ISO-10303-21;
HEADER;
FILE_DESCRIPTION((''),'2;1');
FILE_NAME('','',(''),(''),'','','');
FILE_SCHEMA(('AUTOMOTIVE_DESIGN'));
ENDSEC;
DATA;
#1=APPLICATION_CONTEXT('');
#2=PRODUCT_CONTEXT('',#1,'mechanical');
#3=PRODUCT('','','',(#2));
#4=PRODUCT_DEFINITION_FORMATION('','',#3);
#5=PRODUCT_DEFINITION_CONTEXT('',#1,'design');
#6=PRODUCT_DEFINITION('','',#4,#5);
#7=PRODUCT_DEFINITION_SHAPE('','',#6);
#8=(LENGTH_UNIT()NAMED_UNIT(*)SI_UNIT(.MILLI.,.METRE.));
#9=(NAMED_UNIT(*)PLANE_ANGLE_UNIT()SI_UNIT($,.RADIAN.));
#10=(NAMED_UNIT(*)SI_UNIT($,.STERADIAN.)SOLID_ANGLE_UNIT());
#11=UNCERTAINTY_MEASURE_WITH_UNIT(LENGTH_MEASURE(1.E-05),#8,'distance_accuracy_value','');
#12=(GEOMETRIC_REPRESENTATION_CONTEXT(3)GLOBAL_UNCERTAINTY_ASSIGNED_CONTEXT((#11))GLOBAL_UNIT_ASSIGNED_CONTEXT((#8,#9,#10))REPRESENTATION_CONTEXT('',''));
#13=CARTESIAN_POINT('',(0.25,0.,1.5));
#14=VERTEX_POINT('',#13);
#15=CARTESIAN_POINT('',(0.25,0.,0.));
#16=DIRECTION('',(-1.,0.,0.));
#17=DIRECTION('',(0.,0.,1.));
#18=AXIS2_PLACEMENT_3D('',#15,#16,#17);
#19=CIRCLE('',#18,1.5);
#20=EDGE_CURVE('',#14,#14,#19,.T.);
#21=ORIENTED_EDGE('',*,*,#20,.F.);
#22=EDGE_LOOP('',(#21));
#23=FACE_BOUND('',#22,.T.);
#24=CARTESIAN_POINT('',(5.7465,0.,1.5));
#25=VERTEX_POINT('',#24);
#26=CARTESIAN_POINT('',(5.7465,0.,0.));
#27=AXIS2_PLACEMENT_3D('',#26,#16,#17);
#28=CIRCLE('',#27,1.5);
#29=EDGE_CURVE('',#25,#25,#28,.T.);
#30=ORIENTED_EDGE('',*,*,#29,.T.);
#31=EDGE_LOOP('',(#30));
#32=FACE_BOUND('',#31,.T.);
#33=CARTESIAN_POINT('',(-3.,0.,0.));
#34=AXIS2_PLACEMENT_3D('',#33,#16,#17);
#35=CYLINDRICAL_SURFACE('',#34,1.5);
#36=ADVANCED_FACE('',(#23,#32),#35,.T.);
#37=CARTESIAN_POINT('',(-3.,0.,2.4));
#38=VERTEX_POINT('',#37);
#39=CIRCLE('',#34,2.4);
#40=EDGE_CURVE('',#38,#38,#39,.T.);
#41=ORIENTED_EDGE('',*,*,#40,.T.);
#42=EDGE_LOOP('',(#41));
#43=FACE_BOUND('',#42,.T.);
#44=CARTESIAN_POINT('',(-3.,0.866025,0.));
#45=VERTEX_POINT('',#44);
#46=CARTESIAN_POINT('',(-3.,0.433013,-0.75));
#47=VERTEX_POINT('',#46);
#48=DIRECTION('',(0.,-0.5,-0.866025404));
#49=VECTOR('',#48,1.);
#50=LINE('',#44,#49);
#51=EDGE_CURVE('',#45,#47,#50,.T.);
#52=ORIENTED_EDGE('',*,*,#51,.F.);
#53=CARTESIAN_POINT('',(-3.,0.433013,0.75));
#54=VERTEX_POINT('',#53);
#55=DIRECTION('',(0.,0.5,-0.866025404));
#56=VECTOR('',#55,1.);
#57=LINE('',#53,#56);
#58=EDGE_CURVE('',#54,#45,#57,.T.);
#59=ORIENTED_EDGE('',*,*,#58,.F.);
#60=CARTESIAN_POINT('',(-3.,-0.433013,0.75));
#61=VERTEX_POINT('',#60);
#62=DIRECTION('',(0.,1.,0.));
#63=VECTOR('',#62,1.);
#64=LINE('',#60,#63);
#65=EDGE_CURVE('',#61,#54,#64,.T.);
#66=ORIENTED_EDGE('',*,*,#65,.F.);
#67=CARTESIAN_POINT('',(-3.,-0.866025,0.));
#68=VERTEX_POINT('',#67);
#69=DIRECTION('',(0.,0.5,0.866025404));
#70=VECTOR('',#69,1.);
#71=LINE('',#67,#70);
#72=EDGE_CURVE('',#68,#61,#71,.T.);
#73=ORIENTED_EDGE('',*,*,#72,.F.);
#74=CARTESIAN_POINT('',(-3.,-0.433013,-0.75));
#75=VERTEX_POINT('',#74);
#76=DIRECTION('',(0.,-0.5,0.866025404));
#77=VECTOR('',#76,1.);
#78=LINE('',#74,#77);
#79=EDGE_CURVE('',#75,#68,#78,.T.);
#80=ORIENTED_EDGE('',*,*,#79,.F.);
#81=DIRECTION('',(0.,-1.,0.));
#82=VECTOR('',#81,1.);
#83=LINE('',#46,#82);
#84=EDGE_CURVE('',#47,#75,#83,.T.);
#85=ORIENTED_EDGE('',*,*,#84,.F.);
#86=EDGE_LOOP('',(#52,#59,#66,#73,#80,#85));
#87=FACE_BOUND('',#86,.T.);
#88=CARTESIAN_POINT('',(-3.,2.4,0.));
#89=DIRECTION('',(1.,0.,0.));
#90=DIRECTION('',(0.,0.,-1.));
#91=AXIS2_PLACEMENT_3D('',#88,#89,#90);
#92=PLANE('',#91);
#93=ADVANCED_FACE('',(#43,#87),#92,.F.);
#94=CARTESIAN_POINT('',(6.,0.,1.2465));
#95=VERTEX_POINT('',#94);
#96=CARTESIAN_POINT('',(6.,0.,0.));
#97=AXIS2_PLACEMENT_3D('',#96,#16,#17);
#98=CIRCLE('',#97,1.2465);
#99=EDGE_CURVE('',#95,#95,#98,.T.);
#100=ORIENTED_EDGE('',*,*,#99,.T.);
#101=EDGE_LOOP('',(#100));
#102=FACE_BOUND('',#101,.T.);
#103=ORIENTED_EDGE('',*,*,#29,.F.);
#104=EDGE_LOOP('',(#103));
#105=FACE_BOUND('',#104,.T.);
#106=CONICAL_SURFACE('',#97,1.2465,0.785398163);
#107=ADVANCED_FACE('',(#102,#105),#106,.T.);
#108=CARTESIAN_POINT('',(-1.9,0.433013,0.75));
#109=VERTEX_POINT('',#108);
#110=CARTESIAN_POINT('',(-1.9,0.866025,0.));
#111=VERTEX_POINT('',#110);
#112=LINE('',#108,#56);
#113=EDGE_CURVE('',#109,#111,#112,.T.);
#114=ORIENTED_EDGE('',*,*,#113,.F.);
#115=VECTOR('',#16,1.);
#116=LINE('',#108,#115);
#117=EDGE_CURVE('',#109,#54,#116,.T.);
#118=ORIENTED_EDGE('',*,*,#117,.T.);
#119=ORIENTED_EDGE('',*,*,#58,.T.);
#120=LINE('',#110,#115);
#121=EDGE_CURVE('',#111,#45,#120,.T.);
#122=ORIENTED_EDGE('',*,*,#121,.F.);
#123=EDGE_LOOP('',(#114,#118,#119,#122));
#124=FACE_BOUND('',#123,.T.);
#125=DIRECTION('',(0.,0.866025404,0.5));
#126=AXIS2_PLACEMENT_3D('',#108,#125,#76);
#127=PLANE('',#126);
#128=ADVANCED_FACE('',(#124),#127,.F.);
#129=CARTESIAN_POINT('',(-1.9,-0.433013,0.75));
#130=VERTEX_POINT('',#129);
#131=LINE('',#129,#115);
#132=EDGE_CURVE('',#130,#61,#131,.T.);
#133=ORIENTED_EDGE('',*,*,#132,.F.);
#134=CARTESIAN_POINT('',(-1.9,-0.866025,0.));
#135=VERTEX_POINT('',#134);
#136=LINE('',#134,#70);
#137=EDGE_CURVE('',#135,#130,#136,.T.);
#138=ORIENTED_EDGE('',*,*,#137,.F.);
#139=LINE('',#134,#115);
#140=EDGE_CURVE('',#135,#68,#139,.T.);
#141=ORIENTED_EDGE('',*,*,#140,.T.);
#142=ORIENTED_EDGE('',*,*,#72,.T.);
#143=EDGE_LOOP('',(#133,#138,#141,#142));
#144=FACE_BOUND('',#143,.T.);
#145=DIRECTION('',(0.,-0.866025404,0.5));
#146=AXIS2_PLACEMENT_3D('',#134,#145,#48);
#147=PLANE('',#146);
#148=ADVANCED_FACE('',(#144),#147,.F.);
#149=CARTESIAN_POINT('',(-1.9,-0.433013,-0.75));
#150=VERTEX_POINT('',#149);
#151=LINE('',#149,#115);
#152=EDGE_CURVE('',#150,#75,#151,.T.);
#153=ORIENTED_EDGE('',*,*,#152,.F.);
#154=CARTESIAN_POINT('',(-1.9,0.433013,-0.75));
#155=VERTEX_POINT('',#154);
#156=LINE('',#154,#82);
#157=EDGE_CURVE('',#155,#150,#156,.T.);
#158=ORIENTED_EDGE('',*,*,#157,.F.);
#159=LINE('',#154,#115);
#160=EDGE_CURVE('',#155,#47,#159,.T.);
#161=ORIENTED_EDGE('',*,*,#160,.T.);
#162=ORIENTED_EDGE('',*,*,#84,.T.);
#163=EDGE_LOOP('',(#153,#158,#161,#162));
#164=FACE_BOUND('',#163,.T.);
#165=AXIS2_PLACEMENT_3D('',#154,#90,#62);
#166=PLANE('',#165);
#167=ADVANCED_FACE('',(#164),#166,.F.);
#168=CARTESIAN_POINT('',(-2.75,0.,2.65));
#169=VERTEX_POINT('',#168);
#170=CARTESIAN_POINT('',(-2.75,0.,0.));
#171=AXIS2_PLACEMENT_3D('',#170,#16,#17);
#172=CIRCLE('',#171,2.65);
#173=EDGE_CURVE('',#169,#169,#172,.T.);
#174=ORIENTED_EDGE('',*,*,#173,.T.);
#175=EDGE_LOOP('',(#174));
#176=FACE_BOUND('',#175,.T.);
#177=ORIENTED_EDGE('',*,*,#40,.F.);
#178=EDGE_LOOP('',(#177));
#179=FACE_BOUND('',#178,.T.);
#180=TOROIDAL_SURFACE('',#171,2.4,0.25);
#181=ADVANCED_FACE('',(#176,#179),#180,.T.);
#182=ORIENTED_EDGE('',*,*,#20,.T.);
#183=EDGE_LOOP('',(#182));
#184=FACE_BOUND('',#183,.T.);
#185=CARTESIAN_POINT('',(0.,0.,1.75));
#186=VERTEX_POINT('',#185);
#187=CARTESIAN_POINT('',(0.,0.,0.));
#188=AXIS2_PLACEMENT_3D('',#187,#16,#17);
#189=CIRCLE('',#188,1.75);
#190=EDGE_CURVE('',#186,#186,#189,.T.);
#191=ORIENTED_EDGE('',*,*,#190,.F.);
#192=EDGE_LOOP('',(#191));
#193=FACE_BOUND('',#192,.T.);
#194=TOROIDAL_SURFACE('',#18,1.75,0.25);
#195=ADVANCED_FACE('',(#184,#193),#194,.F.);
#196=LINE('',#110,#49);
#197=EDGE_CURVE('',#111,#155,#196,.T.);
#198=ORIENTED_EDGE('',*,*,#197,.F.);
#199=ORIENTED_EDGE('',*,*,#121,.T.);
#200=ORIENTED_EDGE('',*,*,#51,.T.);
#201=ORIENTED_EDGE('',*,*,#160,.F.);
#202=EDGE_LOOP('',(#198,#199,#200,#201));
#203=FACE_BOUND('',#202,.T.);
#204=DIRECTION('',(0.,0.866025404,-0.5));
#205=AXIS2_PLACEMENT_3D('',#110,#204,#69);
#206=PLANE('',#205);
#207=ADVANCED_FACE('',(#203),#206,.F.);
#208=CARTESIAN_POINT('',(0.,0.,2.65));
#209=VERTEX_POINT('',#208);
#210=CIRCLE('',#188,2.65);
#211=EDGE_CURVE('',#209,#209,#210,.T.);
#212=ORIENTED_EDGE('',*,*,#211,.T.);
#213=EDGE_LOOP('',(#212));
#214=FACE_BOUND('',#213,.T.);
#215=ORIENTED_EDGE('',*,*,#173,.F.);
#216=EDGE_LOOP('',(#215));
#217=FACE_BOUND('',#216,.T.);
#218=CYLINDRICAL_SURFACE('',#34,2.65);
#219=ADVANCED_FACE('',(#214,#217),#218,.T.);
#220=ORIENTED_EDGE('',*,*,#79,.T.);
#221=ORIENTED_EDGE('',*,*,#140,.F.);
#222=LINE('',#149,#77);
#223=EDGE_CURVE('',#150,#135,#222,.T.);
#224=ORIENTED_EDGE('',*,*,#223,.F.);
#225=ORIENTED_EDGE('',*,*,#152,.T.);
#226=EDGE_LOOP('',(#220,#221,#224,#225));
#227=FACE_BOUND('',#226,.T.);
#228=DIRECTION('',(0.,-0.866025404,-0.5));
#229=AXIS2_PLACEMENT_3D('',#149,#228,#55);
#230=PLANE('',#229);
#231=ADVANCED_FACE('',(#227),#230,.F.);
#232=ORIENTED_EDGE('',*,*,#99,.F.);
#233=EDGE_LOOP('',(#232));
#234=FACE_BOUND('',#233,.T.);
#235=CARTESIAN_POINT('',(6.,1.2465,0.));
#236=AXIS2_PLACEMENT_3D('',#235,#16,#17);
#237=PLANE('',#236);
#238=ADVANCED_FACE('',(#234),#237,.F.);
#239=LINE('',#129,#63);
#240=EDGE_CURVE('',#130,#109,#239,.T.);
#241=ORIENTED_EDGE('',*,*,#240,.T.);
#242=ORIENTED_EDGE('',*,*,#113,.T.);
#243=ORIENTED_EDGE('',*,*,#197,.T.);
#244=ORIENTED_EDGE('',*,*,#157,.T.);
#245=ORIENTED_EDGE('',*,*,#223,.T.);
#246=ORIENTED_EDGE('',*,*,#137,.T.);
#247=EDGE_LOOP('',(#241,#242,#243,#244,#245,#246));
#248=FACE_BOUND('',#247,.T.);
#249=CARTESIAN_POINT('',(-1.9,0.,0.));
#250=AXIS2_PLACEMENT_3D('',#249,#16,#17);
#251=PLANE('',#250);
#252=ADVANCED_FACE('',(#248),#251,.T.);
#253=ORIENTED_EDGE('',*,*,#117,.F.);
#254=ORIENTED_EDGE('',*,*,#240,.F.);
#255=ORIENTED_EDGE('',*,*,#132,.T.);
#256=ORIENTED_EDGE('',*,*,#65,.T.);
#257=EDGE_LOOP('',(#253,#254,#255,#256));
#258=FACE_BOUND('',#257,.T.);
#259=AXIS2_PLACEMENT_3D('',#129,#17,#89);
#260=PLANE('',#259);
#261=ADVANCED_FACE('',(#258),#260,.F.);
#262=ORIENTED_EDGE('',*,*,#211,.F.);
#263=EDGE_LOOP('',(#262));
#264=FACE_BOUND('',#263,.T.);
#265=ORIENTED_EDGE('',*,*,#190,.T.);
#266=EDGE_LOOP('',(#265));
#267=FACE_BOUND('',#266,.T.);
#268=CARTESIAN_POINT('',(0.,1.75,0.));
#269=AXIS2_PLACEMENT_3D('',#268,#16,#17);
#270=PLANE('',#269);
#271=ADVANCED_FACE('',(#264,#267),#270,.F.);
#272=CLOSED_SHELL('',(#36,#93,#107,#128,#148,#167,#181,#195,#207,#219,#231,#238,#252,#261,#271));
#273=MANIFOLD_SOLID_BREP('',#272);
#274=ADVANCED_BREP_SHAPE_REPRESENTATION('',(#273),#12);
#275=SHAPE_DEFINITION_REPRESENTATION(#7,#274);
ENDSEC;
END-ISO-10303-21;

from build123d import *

# Parameters (mm, degrees)
CUT_EXTRUDE1_DEPTH = 1.1


with BuildPart() as part:
    # Sketch1 → Revolve1 (revolve)
    with BuildSketch(Plane.XY):
        with BuildLine():
            Line((5.7465, 1.5), (0.25, 1.5))
            ThreePointArc((0.25, 1.5), (0.073223305, 1.573223305), (0, 1.75))
            Line((0, 1.75), (0, 2.65))
            Line((0, 2.65), (-2.75, 2.65))
            ThreePointArc((-2.75, 2.65), (-2.926776695, 2.576776695), (-3, 2.4))
            Line((-3, 2.4), (-3, 0))
            Line((-3, 0), (6, 0))
            Line((6, 0), (6, 1.2465))
            Line((6, 1.2465), (5.7465, 1.5))
        make_face()
    revolve(axis=Axis((-3, 0, 0), (1, 0, 0)))

    # Sketch2 → Cut-Extrude1 (cut)
    with BuildSketch(Plane.ZY.offset(3)):
        Polygon((0.75, 0.433012702), (0, 0.866025404), (-0.75, 0.433012702), (-0.75, -0.433012702), (0, -0.866025404), (0.75, -0.433012702), align=None)
    extrude(amount=-CUT_EXTRUDE1_DEPTH, mode=Mode.SUBTRACT)


solid = part.part
